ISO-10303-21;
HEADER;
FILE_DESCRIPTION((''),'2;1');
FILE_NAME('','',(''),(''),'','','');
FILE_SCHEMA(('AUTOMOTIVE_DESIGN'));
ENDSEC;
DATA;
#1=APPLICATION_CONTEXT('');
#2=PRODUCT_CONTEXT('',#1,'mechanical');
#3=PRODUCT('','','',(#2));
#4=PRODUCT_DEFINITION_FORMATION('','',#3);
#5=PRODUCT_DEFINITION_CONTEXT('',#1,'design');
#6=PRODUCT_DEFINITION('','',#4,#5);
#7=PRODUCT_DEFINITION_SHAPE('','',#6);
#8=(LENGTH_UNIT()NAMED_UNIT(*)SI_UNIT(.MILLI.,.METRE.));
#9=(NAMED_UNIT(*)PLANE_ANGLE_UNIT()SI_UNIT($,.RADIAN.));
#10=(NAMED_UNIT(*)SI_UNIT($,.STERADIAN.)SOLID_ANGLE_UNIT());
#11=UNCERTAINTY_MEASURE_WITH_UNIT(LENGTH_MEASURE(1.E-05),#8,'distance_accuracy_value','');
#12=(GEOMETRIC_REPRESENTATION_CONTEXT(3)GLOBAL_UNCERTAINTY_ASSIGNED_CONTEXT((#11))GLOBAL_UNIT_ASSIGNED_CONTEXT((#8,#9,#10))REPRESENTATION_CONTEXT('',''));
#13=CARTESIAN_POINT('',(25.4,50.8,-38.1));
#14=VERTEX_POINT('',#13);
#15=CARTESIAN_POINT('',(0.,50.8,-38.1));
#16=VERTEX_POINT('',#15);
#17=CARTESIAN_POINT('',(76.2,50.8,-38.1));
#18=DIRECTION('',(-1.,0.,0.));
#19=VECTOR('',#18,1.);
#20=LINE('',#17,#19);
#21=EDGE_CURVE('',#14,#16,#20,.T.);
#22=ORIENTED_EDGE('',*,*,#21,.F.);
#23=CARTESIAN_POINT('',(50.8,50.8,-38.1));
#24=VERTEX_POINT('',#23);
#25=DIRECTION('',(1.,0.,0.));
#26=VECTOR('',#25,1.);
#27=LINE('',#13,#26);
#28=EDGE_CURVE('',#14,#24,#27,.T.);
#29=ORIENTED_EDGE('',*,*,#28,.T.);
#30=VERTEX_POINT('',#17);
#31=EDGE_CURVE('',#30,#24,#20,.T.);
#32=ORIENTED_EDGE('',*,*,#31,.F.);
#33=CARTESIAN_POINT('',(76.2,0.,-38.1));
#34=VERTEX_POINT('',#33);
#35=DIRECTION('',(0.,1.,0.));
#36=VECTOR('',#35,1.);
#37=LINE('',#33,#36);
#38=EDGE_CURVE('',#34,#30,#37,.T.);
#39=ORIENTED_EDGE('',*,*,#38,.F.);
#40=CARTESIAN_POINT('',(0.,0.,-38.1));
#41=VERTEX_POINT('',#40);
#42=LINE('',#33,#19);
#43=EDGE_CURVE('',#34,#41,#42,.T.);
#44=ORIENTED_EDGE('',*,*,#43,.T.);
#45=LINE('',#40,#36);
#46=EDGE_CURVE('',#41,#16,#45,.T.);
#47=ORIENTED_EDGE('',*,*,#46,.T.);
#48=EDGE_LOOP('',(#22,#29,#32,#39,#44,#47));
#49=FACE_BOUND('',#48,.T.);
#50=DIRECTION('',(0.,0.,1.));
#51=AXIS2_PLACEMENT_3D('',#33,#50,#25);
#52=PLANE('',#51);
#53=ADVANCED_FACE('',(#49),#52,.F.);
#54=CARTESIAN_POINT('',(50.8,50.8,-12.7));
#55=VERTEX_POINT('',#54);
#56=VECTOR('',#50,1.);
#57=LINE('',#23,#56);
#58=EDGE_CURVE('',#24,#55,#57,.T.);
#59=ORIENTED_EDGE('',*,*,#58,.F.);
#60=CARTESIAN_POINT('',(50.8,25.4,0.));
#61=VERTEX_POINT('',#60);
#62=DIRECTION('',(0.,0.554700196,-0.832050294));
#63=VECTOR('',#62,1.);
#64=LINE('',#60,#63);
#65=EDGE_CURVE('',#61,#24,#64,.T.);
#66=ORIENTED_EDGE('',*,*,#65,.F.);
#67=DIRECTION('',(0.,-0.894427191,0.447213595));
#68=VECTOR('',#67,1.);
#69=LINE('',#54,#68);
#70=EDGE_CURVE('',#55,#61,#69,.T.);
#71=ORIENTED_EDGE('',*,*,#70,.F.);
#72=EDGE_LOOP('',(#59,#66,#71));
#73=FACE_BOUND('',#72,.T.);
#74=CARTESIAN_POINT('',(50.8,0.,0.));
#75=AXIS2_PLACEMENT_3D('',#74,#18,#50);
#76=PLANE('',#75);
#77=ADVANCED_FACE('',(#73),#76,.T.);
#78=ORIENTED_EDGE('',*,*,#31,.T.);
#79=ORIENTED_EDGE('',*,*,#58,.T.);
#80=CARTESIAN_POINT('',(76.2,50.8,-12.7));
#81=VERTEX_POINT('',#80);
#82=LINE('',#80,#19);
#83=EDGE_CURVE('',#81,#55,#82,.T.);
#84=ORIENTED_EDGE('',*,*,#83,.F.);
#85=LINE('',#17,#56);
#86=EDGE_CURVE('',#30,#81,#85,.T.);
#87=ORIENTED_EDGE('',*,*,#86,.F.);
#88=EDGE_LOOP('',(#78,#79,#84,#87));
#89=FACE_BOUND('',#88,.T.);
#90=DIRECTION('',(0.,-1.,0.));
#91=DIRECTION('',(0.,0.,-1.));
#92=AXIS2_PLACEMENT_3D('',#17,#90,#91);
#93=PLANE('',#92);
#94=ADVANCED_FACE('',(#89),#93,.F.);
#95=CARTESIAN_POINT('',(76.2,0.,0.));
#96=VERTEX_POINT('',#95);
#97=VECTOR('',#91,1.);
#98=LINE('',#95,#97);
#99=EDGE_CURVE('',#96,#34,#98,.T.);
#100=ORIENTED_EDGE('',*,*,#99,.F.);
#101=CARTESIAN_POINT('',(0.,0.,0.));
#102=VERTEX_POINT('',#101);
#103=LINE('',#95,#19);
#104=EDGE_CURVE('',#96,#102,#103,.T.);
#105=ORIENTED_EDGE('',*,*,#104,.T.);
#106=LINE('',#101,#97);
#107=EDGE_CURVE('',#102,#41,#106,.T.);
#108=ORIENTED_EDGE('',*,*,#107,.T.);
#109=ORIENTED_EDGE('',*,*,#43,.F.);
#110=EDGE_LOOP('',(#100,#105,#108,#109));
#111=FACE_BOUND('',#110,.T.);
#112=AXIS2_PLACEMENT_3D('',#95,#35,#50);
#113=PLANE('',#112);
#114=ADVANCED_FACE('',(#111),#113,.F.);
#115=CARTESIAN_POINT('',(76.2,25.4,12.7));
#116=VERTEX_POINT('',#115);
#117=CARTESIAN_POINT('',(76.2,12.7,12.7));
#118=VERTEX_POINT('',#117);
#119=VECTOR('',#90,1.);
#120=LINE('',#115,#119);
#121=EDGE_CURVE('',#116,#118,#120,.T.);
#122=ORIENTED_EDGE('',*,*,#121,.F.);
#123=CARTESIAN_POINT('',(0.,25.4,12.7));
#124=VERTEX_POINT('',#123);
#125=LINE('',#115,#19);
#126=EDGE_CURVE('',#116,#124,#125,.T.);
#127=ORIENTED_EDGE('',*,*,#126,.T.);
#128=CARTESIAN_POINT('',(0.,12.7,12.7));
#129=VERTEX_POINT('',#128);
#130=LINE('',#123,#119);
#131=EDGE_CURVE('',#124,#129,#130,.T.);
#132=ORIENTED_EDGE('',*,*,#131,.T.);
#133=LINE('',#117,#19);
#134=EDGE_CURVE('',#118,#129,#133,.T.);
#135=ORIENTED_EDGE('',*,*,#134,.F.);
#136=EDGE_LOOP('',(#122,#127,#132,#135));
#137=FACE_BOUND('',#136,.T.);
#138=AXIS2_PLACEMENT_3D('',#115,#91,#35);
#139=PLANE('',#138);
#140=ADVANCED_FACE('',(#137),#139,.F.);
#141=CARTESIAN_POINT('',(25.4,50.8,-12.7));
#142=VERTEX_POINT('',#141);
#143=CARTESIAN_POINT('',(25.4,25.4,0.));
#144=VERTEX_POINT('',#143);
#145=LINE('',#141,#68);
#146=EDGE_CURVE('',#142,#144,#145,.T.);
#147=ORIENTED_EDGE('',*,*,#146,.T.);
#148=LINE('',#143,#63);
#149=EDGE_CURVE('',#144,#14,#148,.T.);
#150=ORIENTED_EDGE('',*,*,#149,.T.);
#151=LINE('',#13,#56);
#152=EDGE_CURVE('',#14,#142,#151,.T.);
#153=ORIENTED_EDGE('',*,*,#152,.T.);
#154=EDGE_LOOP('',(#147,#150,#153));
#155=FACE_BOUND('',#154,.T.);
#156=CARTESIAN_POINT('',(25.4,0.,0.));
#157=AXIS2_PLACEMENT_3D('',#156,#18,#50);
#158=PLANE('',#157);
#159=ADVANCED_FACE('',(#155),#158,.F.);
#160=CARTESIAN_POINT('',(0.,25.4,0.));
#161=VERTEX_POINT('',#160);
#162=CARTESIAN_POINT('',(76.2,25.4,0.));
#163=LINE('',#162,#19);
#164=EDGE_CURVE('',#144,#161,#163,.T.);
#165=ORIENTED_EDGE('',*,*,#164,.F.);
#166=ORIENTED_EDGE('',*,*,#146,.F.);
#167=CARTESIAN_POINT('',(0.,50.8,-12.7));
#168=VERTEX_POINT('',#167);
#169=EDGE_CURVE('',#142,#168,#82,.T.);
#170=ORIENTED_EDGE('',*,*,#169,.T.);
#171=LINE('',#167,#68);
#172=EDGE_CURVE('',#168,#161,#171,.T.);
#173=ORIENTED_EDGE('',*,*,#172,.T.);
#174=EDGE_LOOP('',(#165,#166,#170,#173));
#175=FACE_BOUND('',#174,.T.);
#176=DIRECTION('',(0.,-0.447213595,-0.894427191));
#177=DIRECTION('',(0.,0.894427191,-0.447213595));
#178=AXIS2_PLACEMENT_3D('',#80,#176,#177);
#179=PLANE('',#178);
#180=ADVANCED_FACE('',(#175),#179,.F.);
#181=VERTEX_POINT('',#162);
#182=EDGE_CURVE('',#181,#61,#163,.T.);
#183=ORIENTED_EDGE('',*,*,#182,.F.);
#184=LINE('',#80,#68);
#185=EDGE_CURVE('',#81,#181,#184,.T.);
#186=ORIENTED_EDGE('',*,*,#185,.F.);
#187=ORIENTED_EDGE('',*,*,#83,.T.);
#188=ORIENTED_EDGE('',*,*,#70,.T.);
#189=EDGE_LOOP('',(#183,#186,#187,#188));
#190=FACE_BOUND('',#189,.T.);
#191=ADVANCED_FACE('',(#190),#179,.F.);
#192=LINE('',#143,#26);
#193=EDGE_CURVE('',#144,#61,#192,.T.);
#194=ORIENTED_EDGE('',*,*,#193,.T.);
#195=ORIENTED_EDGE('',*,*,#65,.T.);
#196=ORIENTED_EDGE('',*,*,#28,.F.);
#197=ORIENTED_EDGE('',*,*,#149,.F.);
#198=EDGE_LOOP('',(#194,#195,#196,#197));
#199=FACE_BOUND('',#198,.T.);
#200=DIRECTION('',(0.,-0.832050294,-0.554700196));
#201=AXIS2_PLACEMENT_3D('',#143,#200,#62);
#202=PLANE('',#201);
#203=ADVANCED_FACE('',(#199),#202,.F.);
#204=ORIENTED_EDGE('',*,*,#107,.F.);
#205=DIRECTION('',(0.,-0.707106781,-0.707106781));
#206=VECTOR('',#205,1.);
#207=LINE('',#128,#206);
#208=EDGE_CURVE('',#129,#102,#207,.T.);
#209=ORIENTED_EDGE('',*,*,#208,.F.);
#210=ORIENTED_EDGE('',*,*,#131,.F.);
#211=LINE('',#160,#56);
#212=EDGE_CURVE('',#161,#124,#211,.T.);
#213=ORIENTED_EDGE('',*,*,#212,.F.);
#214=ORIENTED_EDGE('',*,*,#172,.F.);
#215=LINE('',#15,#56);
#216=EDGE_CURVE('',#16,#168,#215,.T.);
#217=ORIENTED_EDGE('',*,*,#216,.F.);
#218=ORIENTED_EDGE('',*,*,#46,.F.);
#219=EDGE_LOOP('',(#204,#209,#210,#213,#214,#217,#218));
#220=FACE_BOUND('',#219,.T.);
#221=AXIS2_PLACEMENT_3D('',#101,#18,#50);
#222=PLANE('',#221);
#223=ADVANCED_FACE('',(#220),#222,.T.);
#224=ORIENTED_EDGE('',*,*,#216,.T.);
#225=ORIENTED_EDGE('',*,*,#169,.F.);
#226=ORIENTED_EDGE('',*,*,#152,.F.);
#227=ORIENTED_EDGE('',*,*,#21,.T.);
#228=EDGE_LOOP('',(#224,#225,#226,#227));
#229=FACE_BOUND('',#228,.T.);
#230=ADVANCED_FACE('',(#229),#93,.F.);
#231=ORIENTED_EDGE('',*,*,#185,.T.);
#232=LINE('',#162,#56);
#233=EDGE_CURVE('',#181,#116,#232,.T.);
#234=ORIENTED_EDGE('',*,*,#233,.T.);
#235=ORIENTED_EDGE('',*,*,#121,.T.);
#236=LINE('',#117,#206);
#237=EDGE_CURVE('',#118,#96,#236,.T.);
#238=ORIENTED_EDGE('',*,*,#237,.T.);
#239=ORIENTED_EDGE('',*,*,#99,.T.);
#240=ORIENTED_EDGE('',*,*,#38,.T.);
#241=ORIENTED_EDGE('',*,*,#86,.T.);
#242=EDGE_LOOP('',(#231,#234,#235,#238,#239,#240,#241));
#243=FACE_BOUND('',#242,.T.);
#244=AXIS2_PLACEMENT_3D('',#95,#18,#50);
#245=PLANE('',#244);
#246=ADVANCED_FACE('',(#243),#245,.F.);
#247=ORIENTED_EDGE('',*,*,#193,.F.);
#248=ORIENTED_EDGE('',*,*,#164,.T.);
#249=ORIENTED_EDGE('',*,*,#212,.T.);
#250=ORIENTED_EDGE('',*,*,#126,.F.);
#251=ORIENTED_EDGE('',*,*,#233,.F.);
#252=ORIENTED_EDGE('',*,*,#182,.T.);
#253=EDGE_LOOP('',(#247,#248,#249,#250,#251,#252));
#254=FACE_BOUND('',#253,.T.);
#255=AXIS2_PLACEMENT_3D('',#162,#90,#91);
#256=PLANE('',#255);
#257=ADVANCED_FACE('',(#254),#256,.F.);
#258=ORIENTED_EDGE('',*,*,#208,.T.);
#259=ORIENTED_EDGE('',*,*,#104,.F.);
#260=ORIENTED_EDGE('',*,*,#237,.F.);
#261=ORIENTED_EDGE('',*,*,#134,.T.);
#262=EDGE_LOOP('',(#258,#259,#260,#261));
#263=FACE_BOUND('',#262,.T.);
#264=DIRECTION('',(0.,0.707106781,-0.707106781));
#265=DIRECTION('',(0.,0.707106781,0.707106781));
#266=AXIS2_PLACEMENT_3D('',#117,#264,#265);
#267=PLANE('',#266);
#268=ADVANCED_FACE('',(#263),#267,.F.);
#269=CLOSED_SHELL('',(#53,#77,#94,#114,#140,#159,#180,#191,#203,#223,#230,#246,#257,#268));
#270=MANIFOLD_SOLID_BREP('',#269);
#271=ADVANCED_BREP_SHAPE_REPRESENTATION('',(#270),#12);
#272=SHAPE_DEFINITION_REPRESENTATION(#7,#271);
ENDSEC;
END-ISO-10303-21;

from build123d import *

# Parameters (mm, degrees)
SALIENTE_EXTRUIR2_DEPTH = 76.2
CORTAR_EXTRUIR3_START   = -25.4
CORTAR_EXTRUIR3_DEPTH   = 25.4


with BuildPart() as part:
    # Croquis2 → Saliente-Extruir2 (new body)
    with BuildSketch(Plane(origin=(0, 0, 0), x_dir=(0, 0, -1), z_dir=(1, 0, 0))):
        Polygon((0, 0), (38.1, 0), (38.1, 50.8), (12.7, 50.8), (0, 25.4), (-12.7, 25.4), (-12.7, 12.7), align=None)
    extrude(amount=SALIENTE_EXTRUIR2_DEPTH)

    # Croquis4 → Cortar-Extruir3 (cut)
    with BuildSketch(Plane(origin=(76.2, 0, 0), x_dir=(0, 0, -1), z_dir=(1, 0, 0)).offset(CORTAR_EXTRUIR3_START)):
        Polygon((0, 25.4), (38.1, 50.8), (12.7, 50.8), align=None)
    extrude(amount=-CORTAR_EXTRUIR3_DEPTH, mode=Mode.SUBTRACT)


solid = part.part
